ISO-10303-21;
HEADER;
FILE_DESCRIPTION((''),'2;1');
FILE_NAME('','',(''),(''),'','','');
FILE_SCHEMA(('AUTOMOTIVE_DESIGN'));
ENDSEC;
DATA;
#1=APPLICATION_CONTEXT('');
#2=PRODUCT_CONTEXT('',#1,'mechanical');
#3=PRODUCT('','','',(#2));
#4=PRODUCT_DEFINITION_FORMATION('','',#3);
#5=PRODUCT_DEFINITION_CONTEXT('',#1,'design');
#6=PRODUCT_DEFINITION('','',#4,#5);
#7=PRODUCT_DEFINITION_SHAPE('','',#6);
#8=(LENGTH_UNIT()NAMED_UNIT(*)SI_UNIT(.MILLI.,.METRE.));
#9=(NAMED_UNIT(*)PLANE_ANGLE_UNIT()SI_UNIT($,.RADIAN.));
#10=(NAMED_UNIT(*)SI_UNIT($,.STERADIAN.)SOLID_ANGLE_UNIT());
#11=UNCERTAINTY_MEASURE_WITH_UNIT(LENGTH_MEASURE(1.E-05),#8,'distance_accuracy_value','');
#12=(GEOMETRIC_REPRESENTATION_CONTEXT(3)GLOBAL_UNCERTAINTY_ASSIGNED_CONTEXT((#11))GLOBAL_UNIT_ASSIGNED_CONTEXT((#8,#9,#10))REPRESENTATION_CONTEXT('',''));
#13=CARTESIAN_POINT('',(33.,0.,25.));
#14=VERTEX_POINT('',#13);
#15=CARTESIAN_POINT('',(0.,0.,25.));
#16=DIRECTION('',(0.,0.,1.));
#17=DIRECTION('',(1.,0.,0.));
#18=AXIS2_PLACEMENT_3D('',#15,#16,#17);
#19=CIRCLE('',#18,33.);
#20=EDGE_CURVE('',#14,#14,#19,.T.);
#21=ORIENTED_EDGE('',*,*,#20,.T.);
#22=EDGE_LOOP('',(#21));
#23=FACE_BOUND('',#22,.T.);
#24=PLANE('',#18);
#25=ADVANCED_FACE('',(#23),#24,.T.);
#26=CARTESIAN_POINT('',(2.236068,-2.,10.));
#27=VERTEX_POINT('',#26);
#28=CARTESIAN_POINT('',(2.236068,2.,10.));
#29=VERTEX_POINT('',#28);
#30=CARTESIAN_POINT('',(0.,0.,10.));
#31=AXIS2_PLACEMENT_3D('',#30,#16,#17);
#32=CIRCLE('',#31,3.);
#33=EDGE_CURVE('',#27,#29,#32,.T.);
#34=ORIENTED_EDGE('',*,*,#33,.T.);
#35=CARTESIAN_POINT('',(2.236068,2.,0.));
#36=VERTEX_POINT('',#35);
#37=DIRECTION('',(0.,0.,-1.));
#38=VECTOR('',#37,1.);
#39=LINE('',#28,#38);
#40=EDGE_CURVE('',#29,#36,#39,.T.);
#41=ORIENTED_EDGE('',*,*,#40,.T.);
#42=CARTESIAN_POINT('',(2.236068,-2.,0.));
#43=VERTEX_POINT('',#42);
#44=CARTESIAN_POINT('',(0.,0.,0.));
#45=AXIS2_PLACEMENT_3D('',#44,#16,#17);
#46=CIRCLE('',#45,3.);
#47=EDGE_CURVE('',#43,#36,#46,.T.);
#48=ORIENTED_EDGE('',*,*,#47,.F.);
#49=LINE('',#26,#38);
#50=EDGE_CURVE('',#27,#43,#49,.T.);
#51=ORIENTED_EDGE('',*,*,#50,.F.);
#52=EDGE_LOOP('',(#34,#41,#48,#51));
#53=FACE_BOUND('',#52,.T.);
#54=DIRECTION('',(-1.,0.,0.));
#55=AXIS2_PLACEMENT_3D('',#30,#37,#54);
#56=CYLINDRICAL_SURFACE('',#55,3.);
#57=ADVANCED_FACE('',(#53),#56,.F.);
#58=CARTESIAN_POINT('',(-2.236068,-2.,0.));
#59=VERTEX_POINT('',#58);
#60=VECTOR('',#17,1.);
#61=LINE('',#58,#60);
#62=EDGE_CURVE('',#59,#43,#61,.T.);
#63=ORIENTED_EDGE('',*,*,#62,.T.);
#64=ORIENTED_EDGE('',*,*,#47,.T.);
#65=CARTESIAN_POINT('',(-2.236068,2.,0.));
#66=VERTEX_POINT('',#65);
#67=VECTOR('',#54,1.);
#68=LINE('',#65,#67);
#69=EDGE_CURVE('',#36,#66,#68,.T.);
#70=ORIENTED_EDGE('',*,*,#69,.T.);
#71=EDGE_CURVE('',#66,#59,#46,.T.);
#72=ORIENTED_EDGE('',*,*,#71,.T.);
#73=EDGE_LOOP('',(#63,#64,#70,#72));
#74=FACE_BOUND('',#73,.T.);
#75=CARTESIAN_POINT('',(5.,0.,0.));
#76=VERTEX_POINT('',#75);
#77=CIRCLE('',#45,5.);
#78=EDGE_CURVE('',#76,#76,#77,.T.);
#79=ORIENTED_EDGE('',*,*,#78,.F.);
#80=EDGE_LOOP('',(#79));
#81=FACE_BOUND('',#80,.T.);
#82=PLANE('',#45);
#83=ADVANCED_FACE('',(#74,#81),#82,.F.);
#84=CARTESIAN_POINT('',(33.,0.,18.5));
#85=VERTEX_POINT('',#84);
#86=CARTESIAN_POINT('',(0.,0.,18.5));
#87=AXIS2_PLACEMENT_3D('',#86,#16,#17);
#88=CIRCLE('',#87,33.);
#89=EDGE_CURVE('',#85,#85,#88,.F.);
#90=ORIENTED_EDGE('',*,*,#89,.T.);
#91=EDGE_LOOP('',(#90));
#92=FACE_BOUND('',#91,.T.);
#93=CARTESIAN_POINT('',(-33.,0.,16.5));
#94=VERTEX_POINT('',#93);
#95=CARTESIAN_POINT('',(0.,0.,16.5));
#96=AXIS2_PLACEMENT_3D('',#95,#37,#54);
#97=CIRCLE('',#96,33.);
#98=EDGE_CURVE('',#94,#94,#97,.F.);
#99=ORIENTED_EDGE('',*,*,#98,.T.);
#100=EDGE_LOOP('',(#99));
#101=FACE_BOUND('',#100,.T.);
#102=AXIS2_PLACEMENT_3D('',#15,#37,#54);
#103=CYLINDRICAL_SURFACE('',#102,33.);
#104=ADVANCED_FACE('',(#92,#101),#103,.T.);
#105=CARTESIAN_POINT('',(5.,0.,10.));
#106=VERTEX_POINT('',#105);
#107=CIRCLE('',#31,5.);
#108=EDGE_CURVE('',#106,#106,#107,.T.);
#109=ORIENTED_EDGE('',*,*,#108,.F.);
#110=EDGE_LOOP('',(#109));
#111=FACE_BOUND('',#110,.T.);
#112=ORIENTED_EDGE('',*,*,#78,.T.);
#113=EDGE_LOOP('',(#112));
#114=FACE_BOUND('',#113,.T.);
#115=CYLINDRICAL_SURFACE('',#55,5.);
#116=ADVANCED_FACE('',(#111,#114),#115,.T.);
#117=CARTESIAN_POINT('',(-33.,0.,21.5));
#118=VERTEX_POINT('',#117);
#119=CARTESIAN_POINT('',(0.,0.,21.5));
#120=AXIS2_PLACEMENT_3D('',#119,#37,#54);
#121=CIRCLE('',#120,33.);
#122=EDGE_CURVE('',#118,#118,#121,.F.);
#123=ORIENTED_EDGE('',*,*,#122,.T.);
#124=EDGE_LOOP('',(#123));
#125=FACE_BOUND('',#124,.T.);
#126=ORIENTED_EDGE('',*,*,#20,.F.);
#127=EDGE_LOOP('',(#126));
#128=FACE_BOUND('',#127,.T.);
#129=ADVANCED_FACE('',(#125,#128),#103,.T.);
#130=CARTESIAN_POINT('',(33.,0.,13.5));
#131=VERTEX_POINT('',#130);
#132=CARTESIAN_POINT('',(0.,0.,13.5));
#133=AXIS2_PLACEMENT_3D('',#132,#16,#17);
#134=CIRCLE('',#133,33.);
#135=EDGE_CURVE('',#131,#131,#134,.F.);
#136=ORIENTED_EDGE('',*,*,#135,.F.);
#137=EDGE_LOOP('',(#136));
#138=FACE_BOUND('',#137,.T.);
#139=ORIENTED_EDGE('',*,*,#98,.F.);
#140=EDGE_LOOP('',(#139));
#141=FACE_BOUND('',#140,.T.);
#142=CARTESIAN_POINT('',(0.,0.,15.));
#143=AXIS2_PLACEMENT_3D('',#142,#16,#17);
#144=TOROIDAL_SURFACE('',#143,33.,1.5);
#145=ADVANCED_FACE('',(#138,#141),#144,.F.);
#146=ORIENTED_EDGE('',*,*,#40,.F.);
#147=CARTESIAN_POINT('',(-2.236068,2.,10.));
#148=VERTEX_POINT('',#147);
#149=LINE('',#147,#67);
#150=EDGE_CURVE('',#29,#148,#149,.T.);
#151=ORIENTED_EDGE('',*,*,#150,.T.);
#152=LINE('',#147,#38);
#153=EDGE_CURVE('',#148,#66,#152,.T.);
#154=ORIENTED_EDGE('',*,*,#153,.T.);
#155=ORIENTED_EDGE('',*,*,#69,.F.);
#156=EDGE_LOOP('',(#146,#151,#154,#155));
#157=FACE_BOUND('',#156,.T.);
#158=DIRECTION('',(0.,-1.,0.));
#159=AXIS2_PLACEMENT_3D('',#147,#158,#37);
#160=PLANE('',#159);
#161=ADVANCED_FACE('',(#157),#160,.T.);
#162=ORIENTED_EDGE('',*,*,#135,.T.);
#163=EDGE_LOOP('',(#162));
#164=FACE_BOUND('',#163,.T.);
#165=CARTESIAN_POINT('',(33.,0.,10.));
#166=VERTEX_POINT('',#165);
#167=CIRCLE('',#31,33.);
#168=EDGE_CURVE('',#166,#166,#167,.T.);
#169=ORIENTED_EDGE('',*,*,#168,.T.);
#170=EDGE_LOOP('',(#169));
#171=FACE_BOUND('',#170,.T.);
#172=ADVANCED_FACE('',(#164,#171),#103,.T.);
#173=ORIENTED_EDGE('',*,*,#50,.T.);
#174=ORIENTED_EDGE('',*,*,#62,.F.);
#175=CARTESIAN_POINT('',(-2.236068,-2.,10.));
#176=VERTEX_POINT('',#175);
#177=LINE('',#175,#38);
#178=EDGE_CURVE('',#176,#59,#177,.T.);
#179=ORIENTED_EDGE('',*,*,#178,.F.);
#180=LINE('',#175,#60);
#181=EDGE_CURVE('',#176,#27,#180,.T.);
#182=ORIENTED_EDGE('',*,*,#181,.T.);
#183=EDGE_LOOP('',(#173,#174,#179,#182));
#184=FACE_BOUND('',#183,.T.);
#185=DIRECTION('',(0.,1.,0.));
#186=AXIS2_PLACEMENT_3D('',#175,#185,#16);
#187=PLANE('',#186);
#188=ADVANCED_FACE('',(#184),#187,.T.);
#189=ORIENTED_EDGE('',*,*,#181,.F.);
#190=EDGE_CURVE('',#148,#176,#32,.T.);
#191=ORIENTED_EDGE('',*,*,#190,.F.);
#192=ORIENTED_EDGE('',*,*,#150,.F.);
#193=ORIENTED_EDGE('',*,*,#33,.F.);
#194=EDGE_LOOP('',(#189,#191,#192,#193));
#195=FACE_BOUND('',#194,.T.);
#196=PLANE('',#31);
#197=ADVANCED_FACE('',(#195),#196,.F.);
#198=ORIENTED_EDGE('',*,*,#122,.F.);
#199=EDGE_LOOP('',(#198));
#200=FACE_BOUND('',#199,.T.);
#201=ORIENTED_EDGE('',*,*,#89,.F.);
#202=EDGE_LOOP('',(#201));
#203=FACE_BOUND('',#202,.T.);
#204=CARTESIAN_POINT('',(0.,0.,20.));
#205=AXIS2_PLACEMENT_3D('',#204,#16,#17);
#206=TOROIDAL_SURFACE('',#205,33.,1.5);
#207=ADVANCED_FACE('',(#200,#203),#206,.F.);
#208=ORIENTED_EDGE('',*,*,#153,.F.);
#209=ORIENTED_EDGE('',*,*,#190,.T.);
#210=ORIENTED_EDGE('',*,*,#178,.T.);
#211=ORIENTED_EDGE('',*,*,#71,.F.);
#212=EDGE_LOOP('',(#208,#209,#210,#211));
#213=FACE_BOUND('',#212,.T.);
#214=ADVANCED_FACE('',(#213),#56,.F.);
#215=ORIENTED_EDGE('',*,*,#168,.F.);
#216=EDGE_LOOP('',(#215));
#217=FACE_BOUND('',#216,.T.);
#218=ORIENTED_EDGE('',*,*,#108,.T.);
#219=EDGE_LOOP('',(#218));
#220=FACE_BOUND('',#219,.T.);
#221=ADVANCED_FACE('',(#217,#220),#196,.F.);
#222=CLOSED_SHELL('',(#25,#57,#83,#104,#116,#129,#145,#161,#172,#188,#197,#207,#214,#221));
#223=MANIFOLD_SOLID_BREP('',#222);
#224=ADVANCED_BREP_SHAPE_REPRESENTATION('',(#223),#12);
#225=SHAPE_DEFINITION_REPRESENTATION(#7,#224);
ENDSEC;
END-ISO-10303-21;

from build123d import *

# Parameters (mm, degrees)
CROQUIS1_R              = 5
SALIENTE_EXTRUIR1_DEPTH = 10
CROQUIS2_R              = 33
SALIENTE_EXTRUIR2_DEPTH = 15
CROQUIS3_R              = 1.5


with BuildPart() as part:
    # Croquis1 → Saliente-Extruir1 (new body)
    with BuildSketch(Plane.XY):
        Circle(CROQUIS1_R)
        with BuildLine():
            Line((-2.236067977, -2), (2.236067977, -2))
            ThreePointArc((2.236067977, -2), (3, 0), (2.236067977, 2))
            Line((2.236067977, 2), (-2.236067977, 2))
            ThreePointArc((-2.236067977, 2), (-3, 0), (-2.236067977, -2))
        make_face(mode=Mode.SUBTRACT)
    extrude(amount=SALIENTE_EXTRUIR1_DEPTH)

    # Croquis2 → Saliente-Extruir2 (add)
    with BuildSketch(Plane.XY.offset(10)):
        Circle(CROQUIS2_R)
    extrude(amount=SALIENTE_EXTRUIR2_DEPTH)

    # Croquis3 → Cortar-Revolución1 (revolve, cut)
    with BuildSketch(Plane(origin=(0, 0, 0), x_dir=(1, 0, 0), z_dir=(0, 1, 0))):
        with Locations((33, -15)):
            Circle(CROQUIS3_R)
        with Locations((33, -20)):
            Circle(CROQUIS3_R)
    revolve(axis=Axis((0, 0, 24.978866337), (0, 0, -1)), mode=Mode.SUBTRACT)


solid = part.part
